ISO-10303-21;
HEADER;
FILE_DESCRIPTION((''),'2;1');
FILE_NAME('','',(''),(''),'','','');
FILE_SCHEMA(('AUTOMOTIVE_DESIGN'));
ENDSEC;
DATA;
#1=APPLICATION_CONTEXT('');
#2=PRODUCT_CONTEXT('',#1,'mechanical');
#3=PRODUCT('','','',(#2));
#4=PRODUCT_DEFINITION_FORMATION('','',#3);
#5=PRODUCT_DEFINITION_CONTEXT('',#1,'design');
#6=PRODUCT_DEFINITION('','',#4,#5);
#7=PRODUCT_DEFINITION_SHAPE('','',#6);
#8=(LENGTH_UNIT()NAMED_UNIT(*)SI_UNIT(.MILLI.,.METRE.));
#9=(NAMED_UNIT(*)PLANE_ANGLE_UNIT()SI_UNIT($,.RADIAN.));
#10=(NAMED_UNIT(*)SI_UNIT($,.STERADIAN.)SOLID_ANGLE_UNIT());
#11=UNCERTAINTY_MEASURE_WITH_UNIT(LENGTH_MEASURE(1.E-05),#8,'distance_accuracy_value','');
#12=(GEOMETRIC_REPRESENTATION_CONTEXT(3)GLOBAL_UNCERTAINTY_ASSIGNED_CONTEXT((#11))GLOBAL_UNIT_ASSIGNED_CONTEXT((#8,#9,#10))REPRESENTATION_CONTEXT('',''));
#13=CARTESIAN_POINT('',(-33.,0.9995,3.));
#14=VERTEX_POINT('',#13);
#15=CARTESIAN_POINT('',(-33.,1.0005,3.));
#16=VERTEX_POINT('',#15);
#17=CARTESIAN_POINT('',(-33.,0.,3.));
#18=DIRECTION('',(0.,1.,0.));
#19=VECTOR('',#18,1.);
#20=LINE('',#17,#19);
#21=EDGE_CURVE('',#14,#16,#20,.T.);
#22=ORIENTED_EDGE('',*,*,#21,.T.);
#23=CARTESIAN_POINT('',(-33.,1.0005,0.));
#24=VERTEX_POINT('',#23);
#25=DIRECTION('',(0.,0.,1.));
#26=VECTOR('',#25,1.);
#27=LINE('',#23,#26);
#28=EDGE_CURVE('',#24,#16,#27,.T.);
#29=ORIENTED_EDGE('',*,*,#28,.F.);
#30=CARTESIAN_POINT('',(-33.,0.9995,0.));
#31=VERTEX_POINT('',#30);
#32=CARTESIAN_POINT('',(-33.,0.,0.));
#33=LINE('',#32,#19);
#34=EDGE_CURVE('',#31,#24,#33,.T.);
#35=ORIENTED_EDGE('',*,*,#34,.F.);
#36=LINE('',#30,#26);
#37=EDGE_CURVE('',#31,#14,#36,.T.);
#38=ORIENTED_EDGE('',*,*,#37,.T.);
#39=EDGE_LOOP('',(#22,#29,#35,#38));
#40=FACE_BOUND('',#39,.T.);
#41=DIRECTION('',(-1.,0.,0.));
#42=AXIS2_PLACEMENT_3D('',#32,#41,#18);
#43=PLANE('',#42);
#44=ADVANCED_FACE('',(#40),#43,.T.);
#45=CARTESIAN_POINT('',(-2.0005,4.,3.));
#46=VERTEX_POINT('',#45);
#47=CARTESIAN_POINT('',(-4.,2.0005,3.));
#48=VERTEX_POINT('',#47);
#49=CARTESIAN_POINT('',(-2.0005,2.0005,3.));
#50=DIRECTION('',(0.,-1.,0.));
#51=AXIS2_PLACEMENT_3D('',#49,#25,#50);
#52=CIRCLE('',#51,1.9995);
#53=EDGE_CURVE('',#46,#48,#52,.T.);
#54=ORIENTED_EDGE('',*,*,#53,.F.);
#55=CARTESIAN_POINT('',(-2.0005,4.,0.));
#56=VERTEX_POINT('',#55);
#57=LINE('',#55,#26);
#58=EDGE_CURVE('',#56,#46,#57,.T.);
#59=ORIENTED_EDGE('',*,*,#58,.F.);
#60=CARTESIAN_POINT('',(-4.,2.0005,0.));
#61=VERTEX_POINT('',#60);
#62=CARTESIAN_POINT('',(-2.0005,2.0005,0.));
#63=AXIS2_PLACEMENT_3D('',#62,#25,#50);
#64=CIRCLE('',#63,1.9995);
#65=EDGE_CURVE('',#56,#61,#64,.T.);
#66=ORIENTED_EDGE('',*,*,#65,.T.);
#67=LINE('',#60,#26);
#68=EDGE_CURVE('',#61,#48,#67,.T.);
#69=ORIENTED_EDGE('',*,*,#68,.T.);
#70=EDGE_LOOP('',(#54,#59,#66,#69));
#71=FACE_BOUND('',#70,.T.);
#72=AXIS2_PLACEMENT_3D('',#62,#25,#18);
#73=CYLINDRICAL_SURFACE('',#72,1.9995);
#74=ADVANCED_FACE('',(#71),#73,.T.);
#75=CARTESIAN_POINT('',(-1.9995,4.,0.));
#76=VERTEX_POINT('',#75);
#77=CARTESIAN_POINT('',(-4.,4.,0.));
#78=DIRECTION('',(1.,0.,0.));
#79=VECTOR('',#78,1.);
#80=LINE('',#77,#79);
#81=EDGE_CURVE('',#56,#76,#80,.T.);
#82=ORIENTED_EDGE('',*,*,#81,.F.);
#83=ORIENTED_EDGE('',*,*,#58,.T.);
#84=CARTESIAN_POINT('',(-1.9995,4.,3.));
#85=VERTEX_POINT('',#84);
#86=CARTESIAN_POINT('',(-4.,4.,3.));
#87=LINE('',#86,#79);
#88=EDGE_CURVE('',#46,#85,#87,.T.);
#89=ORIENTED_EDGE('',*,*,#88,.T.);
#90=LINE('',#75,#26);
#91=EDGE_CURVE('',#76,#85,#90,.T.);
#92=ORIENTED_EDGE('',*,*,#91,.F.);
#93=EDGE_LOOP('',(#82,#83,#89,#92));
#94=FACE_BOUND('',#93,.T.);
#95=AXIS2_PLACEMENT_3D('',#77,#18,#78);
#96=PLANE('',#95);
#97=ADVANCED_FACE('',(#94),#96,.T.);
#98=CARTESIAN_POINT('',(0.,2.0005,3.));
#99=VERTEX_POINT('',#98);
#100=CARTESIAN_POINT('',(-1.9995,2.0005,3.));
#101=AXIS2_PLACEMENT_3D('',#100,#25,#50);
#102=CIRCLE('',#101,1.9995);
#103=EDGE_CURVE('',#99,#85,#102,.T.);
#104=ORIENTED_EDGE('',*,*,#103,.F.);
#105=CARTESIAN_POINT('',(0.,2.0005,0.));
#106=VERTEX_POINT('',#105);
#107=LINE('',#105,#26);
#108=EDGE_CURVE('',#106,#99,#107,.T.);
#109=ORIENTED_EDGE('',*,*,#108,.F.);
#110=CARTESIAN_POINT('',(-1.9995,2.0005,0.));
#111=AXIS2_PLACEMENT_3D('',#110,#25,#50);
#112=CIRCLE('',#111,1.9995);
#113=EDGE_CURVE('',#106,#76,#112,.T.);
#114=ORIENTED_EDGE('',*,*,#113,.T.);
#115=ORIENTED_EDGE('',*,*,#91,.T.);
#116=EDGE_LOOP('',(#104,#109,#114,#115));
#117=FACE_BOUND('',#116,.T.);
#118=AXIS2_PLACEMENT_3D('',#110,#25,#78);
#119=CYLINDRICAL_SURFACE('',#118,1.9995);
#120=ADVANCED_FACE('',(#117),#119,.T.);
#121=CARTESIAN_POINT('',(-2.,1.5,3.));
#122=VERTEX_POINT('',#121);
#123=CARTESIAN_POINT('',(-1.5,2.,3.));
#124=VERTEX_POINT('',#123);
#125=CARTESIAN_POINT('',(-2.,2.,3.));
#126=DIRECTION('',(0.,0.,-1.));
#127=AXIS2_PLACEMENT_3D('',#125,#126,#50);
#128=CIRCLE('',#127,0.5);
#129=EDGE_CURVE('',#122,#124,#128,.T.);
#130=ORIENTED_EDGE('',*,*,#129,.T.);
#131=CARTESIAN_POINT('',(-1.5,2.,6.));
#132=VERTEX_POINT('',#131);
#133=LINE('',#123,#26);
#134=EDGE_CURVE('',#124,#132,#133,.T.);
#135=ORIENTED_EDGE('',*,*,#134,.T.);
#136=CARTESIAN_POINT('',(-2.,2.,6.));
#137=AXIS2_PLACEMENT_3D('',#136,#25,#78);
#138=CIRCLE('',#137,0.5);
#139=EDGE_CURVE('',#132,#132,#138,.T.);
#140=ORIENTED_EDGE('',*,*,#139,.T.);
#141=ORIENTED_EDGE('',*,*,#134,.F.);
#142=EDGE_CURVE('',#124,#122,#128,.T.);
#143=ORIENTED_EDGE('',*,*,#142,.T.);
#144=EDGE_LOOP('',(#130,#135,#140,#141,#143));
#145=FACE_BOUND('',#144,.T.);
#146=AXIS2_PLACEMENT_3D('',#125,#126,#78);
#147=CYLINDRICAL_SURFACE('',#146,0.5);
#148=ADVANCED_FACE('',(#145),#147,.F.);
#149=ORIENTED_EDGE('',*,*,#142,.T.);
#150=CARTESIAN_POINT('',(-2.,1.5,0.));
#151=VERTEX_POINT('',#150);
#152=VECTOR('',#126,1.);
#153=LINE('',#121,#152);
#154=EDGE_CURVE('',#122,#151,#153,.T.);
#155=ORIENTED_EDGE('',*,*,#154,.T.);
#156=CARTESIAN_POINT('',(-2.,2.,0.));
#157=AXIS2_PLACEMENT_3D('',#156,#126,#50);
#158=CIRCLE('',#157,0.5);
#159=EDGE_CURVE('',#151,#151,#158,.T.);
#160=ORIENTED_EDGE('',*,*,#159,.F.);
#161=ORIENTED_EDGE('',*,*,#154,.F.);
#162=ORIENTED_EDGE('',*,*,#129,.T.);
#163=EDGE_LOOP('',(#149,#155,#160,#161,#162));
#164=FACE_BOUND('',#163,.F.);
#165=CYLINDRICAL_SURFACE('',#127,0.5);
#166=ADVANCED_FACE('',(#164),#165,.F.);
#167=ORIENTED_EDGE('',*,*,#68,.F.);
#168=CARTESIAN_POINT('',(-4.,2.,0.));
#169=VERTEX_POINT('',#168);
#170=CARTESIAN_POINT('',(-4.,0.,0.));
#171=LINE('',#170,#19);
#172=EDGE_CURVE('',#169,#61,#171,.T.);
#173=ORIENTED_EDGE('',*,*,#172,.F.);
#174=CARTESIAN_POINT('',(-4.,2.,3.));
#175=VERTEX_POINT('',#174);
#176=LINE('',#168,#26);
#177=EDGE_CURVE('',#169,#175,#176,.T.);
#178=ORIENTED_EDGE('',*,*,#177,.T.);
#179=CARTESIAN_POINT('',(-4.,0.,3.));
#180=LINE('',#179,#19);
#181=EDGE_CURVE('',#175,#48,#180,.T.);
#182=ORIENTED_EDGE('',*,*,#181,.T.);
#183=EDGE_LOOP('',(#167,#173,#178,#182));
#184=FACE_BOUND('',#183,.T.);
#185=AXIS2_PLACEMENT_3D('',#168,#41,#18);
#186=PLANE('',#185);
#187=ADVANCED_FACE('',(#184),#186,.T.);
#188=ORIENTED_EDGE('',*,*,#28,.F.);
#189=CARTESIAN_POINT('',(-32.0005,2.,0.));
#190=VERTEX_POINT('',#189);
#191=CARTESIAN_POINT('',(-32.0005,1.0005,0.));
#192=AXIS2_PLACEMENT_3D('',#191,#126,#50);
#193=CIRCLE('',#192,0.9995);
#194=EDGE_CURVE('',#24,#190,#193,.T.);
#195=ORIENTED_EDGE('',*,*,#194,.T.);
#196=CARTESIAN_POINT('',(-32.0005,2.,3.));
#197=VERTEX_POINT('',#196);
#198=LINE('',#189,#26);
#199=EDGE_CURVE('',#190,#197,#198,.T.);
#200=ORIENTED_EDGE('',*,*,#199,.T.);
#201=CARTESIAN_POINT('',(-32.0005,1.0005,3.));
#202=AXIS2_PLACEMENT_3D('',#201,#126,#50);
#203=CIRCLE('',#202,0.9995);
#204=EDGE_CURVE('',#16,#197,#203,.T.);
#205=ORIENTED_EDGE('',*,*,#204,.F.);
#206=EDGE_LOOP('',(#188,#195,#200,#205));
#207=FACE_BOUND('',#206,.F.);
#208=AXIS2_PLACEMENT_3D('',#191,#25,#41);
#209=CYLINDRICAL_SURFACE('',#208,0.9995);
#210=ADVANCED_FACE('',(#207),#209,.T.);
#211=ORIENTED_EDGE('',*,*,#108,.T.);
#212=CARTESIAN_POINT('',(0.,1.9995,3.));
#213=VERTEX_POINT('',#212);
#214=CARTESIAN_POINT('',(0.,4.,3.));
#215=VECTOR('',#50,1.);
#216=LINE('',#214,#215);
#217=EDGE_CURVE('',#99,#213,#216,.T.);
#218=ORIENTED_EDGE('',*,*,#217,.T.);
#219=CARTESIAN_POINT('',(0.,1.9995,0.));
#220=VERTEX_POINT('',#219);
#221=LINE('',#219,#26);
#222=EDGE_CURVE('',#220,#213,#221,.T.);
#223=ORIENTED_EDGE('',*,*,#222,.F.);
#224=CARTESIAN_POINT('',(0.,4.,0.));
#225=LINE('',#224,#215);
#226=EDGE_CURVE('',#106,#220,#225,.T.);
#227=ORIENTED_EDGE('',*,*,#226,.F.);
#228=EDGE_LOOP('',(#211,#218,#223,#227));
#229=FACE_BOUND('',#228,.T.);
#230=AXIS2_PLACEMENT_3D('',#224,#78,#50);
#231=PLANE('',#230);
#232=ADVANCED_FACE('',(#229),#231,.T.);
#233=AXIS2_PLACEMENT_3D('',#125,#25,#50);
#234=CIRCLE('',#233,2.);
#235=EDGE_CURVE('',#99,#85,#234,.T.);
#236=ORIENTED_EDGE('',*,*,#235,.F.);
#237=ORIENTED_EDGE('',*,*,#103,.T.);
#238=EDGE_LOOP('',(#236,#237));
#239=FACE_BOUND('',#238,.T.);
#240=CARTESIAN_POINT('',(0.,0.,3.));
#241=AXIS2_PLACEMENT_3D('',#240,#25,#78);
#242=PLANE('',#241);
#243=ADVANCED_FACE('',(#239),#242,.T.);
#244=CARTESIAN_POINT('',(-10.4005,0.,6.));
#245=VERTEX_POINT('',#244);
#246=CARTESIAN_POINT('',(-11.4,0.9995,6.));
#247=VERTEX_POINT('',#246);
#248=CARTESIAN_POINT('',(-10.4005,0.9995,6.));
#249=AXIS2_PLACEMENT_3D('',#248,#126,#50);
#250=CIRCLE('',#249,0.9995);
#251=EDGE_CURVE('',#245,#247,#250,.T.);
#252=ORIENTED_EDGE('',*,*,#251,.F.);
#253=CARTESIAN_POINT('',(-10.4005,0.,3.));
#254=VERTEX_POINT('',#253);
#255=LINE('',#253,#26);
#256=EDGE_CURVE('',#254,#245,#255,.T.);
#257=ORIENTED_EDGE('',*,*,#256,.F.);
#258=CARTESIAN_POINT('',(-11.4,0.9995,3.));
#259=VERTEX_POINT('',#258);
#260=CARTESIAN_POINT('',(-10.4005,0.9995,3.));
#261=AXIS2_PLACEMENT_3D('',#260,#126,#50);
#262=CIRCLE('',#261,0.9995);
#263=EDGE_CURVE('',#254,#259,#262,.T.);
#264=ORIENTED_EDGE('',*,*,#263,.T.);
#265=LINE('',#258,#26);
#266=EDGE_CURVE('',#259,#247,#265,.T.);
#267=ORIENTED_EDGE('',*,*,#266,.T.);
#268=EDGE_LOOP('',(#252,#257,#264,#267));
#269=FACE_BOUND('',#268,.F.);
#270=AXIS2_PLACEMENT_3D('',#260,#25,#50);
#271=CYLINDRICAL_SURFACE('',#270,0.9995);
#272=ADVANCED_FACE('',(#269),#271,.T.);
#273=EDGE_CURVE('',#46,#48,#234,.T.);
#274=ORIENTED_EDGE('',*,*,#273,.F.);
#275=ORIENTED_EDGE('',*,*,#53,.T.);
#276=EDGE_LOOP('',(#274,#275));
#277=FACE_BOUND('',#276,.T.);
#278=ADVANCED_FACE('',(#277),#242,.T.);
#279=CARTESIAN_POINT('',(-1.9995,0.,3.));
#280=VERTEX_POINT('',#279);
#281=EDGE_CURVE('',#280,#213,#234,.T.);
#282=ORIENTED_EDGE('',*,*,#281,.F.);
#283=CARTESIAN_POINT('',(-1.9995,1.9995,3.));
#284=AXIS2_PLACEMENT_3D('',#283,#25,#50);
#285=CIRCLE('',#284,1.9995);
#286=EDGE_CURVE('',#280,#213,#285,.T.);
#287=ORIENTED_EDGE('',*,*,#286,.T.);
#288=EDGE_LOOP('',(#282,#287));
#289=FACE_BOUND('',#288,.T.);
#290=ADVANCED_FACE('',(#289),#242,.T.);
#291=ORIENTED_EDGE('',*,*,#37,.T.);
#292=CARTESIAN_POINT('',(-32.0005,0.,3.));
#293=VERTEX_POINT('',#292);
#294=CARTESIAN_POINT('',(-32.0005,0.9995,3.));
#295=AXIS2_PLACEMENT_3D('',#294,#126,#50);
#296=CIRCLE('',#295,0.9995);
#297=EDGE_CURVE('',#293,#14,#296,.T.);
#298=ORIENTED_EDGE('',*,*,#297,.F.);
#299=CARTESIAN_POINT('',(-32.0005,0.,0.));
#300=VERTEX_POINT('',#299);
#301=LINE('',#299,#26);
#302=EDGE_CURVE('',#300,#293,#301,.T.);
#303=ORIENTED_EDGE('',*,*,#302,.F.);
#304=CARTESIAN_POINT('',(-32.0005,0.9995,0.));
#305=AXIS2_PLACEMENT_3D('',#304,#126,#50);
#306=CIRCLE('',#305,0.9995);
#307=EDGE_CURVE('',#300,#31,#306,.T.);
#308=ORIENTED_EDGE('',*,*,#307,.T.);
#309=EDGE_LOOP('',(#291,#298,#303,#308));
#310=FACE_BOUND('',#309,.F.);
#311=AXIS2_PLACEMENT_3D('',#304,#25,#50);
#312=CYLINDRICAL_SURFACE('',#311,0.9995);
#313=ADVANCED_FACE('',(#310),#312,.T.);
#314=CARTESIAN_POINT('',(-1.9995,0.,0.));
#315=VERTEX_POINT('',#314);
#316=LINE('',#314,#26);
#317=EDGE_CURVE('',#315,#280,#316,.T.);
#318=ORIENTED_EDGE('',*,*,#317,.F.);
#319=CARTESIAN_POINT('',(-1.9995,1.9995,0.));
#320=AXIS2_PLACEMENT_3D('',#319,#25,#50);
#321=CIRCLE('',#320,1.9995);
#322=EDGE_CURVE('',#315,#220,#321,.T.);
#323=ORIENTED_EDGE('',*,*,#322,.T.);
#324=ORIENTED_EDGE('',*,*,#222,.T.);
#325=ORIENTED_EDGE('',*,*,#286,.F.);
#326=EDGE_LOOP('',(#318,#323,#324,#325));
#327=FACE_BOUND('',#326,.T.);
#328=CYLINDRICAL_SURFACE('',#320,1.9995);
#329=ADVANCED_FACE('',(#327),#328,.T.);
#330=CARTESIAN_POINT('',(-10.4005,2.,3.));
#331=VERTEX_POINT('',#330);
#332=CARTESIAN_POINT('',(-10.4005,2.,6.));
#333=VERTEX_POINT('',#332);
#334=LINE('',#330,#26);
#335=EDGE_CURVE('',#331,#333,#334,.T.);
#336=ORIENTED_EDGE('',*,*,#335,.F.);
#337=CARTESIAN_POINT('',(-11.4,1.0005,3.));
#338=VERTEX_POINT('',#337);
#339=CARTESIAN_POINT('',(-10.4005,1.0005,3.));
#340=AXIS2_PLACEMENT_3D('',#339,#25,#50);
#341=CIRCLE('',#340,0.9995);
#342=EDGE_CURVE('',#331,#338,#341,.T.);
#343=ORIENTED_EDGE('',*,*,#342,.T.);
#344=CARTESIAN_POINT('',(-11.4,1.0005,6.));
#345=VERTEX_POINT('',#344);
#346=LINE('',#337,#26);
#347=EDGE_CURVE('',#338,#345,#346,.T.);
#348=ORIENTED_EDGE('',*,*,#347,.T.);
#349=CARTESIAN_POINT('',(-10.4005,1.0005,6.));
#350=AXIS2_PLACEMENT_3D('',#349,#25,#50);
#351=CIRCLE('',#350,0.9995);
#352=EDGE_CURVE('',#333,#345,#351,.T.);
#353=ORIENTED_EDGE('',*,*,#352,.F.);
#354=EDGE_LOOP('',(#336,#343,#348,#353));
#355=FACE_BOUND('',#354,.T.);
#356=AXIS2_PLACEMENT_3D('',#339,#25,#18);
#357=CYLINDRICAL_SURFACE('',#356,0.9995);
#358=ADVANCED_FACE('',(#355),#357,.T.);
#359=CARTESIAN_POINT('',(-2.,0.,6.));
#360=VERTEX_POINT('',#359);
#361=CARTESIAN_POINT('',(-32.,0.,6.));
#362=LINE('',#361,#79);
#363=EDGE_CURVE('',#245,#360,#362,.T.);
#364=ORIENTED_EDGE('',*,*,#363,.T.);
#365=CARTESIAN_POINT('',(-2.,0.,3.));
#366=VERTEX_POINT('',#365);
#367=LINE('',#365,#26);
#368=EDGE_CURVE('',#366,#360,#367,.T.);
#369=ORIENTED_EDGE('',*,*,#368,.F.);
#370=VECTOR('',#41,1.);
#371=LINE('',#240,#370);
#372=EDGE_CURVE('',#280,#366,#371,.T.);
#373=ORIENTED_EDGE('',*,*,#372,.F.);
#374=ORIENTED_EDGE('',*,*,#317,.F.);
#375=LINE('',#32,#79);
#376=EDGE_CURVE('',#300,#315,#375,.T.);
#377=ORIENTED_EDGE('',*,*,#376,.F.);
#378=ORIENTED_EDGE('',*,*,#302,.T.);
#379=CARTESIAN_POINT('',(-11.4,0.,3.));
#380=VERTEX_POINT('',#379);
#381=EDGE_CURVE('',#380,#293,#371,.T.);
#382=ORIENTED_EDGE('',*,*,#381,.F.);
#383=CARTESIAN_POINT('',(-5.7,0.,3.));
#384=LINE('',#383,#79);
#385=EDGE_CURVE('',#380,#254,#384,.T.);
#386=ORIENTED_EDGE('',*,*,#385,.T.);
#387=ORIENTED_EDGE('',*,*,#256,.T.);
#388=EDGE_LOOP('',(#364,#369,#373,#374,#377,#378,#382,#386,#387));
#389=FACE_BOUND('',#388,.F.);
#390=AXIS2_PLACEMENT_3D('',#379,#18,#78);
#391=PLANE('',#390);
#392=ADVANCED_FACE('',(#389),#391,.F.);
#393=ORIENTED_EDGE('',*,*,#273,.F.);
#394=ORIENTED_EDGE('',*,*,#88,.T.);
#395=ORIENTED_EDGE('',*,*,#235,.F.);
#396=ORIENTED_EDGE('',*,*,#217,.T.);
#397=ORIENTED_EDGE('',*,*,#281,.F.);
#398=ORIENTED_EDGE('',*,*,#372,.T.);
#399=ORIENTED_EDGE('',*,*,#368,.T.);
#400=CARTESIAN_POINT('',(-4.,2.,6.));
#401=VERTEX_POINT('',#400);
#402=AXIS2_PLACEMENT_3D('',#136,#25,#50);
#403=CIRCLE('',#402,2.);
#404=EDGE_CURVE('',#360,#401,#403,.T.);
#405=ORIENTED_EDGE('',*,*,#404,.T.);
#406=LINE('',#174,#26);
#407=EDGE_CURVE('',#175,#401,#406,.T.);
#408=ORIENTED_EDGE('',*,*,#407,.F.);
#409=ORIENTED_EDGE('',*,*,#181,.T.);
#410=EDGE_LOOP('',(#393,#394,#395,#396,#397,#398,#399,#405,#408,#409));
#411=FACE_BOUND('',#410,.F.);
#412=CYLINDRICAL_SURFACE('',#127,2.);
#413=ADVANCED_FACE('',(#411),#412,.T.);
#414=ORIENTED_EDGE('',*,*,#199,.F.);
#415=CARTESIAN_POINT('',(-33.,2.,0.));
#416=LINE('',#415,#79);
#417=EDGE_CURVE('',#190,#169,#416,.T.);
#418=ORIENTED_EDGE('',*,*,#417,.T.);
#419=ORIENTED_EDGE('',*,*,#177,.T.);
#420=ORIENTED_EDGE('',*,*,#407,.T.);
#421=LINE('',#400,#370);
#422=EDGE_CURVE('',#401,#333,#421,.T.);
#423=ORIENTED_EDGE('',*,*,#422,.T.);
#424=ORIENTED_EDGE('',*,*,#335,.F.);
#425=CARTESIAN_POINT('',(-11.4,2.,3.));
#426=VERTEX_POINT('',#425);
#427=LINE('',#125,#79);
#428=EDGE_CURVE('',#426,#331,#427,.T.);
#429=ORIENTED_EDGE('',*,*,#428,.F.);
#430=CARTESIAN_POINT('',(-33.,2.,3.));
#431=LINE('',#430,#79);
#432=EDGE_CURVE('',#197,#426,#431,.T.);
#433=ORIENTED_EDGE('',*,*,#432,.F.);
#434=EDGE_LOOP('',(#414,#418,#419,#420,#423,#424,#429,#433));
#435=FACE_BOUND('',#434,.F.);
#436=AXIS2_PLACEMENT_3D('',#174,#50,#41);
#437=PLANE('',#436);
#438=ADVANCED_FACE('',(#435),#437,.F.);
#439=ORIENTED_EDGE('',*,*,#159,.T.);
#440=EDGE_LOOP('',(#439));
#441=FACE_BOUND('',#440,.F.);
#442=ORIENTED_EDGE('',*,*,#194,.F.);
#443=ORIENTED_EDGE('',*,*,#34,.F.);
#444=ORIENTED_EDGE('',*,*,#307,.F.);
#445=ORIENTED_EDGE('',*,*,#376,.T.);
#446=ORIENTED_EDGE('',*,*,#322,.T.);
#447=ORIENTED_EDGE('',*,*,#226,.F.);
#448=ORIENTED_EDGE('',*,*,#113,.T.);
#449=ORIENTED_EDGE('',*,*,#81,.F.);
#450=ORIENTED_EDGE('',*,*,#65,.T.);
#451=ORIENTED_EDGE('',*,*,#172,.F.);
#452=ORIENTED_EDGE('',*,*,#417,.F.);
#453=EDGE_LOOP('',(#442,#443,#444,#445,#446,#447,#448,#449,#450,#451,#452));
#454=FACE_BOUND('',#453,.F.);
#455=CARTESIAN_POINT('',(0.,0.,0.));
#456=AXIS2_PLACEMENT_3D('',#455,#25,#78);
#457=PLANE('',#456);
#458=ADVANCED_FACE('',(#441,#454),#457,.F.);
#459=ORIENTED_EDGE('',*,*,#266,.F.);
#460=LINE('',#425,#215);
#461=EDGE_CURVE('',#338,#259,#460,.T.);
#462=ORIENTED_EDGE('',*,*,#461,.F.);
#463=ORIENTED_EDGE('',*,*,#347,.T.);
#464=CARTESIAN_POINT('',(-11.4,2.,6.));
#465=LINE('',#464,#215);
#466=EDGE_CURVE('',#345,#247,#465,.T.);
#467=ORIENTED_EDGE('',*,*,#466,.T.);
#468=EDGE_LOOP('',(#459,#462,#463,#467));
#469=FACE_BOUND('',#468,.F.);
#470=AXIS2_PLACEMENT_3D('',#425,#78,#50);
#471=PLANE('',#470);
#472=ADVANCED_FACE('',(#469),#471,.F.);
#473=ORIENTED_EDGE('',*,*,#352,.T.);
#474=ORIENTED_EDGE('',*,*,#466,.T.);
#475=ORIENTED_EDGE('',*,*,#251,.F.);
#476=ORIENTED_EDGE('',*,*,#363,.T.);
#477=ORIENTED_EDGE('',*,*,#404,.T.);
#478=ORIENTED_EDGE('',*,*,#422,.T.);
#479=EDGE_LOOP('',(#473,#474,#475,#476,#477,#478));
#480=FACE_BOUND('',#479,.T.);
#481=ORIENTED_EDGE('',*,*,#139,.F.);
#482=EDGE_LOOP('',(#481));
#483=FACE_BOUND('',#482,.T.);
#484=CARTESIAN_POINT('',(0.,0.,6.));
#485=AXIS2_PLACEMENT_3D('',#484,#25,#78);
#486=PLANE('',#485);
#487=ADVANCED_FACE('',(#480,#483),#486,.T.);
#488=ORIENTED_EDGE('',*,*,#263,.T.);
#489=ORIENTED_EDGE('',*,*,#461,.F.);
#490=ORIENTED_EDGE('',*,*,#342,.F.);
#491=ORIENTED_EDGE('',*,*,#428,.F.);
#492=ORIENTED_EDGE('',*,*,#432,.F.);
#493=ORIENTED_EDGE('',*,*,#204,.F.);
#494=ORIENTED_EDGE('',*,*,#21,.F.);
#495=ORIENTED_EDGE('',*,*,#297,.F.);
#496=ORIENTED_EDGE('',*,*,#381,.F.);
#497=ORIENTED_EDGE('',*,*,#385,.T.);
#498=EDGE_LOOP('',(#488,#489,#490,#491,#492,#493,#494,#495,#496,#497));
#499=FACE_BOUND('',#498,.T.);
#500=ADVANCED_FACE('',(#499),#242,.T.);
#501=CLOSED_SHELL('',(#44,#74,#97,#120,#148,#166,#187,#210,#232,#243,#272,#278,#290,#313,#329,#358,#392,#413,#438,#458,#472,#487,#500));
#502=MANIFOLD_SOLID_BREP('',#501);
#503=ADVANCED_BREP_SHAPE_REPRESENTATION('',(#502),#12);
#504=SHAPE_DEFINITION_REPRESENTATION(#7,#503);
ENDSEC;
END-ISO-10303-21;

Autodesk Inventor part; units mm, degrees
ref_plane "YZ Plane" through (0, 0, 0) normal (1, 0, 0) x (0, 1, 0)
ref_plane "XZ Plane" through (0, 0, 0) normal (0, 1, 0) x (-1, 0, 0)
ref_plane "XY Plane" through (0, 0, 0) normal (0, 0, 1) x (1, 0, 0)
sketch "Sketch1" plane through (0, 0, 0) normal (0, 0, 1) x (1, 0, 0)
  line L0 (0, 0) -> (-4, 0)
  line L1 (-4, 0) -> (-4, 4)
  line L2 (-4, 4) -> (0, 4)
  line L3 (0, 4) -> (0, 0)
  line L4 (-4, 0) -> (-33, 0)
  line L5 (-33, 0) -> (-33, 2)
  line L6 (-33, 2) -> (-4, 2)
  line L7 (-4, 2) -> (-4, 0)
  dimension "d1" = 4
  dimension "d3" = 29
  dimension "d4" = 2
extrude "Soporte Hoja" add sketch "Sketch1" along normal blind 3
fillet "Cabeza" radius 2 3 edges at (0, 0, 1.5) (0, 4, 1.5) (-4, 4, 1.5)
fillet "Agarre Hoja" radius 1 2 edges at (-33, 0, 1.5) (-33, 2, 1.5)
sketch "Sketch2" plane through (0, 0, 3) normal (0, 0, 1) x (1, 0, 0)
  circle A0 centre (-2, 2) radius 0.5
  arc A1 (-2, 0) -> (-4, 2) centre (-2, 2) ccw projected
  point P0 (0, 0)
  dimension "d9" = 1
hole "Eje" at (-2, 2, 3) direction (0, 0, -1) diameter 1 end through all
sketch "Sketch3" plane through (0, 0, 3) normal (0, 0, 1) x (1, 0, 0)
  line L0 (-4, 2) -> (-32, 2) projected
  line L1 (-32, 0) -> (-2, 0) projected
  line L2 (-4, 2) -> (-32, 2) projected
  line L3 (-11.4, 2) -> (-11.4, 0)
  line L4 (-32, 0) -> (-2, 0) projected
  arc A0 (-2, 0) -> (-4, 2) centre (-2, 2) ccw projected
  circle A1 centre (-2, 2) radius 0.5 projected
  point P0 (0, 0)
  dimension "d17" = 11.4
extrude "Soporte Deslizador" add sketch "Sketch3" along normal blind 3
fillet "Agarre Deslizador" radius 1 2 edges at (-11.4, 0, 4.5) (-11.4, 2, 4.5)
equation "\"d1\" = traba_cabeza_ancho"
equation "\"d3\" = traba_largo"
equation "\"d4\" = traba_hoja_ancho"
equation "\"d5\" = traba_hoja_grosor"
equation "\"d7\" = 0.5 * traba_cabeza_ancho"
equation "\"d8\" = 0.5 * traba_hoja_ancho"
equation "\"d10\" = traba_eje_diametro"
equation "\"d17\" = traba_deslizador_largo"
equation "\"d18\" = traba_deslizador_alto"
equation "\"d20\" = 0.5 * traba_hoja_ancho"
equation "\"traba_cabeza_ancho\" = 4"
equation "\"traba_largo\" = 29"
equation "\"traba_hoja_ancho\" = 2"
equation "\"traba_hoja_grosor\" = 3"
equation "\"traba_eje_diametro\" = 1"
equation "\"traba_deslizador_alto\" = 3"
equation "\"traba_deslizador_largo\" = 11.4"
properties part number "Traba"
